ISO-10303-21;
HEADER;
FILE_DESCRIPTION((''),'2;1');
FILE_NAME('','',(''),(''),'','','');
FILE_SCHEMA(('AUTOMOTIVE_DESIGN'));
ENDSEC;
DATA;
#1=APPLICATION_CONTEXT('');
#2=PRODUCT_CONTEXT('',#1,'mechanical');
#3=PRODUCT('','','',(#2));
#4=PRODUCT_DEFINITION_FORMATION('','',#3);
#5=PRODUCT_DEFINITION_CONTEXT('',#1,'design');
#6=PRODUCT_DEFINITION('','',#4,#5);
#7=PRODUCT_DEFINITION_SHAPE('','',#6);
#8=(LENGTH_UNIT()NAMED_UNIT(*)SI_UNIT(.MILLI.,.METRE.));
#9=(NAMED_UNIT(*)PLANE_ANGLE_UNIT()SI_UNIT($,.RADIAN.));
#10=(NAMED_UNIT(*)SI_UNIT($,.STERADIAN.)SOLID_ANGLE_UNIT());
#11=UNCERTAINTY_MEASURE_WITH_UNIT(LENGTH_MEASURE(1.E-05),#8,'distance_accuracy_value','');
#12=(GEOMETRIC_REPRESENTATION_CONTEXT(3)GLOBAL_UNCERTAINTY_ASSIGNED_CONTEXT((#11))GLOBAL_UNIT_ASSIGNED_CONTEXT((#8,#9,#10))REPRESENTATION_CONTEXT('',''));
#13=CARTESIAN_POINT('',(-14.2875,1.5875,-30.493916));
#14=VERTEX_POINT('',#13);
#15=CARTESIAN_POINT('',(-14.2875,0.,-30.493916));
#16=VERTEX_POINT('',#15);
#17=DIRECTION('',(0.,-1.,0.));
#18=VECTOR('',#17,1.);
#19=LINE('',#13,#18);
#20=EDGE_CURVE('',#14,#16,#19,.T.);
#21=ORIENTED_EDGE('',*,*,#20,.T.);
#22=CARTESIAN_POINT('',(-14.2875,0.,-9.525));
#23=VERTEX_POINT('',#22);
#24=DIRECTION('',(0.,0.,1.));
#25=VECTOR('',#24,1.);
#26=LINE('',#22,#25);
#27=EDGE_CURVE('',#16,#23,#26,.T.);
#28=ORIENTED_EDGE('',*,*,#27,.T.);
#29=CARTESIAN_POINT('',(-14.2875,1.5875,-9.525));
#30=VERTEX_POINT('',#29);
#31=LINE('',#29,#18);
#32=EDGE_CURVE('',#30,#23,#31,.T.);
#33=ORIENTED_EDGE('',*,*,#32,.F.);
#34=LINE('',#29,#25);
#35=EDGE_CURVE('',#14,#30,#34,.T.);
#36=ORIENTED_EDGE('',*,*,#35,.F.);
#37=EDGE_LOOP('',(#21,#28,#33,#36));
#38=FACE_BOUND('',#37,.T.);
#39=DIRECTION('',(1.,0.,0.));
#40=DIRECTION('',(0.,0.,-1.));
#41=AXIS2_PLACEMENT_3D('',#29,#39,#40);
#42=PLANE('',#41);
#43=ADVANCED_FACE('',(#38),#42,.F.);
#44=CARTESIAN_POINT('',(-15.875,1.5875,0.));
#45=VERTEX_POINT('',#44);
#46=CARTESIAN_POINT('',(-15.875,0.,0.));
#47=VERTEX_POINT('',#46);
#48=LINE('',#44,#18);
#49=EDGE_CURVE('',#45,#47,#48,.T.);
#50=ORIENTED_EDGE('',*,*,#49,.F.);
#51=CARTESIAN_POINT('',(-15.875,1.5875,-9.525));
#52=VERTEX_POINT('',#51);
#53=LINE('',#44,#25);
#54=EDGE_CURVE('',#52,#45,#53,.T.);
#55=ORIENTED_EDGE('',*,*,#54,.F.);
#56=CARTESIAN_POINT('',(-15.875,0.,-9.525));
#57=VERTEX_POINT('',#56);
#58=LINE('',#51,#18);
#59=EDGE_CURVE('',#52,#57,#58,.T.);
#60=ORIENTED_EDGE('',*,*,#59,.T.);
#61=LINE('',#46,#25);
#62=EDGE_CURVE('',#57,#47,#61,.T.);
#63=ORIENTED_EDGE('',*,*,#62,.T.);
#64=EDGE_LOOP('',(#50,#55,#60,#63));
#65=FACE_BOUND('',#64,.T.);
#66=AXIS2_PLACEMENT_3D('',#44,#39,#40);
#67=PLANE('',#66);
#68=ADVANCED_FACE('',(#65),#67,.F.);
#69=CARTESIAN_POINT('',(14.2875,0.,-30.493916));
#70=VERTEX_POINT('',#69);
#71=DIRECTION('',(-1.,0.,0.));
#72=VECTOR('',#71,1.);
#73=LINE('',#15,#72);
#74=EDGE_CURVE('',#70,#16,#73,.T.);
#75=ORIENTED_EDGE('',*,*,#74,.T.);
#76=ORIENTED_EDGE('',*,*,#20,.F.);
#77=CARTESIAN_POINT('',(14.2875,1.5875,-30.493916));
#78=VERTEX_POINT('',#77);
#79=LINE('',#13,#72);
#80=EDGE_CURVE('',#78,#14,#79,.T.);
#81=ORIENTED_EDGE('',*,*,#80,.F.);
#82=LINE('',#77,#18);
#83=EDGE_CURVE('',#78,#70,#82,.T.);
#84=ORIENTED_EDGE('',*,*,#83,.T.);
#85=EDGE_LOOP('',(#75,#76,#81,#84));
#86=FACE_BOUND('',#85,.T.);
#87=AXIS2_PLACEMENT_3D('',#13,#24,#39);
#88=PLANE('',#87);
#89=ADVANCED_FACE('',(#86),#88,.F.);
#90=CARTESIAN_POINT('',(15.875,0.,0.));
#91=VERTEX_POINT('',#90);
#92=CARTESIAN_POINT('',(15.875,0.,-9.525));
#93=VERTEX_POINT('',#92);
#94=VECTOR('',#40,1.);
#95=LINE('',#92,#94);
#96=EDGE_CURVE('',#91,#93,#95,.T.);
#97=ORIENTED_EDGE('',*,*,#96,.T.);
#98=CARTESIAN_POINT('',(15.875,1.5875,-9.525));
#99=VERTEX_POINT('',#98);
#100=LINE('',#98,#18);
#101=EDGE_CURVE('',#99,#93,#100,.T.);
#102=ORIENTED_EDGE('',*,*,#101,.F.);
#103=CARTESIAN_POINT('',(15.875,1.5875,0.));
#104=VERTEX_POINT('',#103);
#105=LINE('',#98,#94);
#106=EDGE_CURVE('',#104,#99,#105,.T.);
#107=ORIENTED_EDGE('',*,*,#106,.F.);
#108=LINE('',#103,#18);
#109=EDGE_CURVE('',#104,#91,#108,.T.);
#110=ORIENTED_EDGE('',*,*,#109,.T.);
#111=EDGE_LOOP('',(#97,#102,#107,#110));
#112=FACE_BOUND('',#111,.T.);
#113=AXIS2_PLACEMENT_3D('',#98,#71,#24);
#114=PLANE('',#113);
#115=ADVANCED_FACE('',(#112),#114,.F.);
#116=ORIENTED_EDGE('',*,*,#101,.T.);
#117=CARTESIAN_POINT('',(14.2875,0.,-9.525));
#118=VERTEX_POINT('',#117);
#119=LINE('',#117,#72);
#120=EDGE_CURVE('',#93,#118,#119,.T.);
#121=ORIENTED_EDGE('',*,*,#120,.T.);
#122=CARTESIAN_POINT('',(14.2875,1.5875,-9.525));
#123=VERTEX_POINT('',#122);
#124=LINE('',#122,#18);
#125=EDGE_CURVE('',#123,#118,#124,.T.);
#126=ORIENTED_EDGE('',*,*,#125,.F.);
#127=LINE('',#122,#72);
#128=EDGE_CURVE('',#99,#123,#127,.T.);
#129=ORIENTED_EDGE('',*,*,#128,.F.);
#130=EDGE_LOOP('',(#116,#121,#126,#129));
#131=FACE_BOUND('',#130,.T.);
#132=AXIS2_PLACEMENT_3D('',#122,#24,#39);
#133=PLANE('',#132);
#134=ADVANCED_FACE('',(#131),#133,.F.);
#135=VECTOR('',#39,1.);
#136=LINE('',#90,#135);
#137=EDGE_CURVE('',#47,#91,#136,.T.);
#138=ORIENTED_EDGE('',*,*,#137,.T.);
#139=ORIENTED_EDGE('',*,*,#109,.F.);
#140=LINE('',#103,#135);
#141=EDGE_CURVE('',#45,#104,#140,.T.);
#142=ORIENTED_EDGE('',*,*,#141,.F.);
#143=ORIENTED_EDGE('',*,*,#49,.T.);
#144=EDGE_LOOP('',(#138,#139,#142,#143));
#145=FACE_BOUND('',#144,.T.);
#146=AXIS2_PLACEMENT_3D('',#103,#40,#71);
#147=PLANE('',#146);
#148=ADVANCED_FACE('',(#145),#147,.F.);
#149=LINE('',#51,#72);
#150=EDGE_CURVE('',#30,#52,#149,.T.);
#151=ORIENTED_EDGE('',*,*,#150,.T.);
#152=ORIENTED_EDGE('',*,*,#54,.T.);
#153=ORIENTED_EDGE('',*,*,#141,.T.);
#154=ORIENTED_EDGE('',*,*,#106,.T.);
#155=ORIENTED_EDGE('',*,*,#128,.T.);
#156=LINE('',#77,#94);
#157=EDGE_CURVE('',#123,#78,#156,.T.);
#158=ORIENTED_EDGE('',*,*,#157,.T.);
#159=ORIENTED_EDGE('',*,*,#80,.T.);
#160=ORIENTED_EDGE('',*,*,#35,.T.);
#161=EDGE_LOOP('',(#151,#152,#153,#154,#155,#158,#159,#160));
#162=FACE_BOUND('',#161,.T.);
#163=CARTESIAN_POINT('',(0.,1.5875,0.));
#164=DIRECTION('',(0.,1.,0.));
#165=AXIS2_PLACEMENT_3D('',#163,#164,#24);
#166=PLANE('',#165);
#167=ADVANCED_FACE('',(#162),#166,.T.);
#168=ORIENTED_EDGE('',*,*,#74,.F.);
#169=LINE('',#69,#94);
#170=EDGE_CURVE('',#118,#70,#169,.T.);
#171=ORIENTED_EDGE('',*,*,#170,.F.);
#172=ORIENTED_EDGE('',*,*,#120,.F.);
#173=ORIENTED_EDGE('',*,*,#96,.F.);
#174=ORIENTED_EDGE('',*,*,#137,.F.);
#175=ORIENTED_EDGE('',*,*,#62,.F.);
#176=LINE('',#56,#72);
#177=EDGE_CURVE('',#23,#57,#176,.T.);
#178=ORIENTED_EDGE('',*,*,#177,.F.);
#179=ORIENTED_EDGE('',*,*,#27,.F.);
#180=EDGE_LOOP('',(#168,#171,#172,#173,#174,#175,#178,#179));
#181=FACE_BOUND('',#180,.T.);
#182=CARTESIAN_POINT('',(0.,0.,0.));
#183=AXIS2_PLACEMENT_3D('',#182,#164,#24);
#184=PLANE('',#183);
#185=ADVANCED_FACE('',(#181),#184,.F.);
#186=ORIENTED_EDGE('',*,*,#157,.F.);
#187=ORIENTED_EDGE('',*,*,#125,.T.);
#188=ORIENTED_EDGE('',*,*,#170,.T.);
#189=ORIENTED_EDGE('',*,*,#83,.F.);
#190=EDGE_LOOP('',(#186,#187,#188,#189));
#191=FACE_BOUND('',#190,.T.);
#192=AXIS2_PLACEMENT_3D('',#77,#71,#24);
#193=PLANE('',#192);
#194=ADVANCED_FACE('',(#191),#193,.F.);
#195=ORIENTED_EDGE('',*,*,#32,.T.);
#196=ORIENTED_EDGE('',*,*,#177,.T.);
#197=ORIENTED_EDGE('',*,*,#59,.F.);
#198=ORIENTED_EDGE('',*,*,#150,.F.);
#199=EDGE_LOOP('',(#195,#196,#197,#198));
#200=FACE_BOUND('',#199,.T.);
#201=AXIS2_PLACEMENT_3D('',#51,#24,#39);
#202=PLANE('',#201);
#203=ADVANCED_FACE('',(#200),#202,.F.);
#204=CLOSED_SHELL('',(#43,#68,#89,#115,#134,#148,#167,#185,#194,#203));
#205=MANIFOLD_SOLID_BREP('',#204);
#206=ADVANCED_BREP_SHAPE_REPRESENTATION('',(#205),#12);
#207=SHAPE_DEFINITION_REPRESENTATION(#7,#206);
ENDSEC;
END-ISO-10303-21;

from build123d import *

# Parameters (mm, degrees)
BOSS_EXTRUDE1_DEPTH = 1.5875


with BuildPart() as part:
    # Sketch1 → Boss-Extrude1 (new body)
    with BuildSketch(Plane(origin=(0, 0, 0), x_dir=(1, 0, 0), z_dir=(0, 1, 0))):
        Polygon((15.875, 0), (-15.875, 0), (-15.875, 9.525), (-14.2875, 9.525), (-14.2875, 30.493915574), (14.2875, 30.493915574), (14.2875, 9.525), (15.875, 9.525), align=None)
    extrude(amount=BOSS_EXTRUDE1_DEPTH)


solid = part.part
